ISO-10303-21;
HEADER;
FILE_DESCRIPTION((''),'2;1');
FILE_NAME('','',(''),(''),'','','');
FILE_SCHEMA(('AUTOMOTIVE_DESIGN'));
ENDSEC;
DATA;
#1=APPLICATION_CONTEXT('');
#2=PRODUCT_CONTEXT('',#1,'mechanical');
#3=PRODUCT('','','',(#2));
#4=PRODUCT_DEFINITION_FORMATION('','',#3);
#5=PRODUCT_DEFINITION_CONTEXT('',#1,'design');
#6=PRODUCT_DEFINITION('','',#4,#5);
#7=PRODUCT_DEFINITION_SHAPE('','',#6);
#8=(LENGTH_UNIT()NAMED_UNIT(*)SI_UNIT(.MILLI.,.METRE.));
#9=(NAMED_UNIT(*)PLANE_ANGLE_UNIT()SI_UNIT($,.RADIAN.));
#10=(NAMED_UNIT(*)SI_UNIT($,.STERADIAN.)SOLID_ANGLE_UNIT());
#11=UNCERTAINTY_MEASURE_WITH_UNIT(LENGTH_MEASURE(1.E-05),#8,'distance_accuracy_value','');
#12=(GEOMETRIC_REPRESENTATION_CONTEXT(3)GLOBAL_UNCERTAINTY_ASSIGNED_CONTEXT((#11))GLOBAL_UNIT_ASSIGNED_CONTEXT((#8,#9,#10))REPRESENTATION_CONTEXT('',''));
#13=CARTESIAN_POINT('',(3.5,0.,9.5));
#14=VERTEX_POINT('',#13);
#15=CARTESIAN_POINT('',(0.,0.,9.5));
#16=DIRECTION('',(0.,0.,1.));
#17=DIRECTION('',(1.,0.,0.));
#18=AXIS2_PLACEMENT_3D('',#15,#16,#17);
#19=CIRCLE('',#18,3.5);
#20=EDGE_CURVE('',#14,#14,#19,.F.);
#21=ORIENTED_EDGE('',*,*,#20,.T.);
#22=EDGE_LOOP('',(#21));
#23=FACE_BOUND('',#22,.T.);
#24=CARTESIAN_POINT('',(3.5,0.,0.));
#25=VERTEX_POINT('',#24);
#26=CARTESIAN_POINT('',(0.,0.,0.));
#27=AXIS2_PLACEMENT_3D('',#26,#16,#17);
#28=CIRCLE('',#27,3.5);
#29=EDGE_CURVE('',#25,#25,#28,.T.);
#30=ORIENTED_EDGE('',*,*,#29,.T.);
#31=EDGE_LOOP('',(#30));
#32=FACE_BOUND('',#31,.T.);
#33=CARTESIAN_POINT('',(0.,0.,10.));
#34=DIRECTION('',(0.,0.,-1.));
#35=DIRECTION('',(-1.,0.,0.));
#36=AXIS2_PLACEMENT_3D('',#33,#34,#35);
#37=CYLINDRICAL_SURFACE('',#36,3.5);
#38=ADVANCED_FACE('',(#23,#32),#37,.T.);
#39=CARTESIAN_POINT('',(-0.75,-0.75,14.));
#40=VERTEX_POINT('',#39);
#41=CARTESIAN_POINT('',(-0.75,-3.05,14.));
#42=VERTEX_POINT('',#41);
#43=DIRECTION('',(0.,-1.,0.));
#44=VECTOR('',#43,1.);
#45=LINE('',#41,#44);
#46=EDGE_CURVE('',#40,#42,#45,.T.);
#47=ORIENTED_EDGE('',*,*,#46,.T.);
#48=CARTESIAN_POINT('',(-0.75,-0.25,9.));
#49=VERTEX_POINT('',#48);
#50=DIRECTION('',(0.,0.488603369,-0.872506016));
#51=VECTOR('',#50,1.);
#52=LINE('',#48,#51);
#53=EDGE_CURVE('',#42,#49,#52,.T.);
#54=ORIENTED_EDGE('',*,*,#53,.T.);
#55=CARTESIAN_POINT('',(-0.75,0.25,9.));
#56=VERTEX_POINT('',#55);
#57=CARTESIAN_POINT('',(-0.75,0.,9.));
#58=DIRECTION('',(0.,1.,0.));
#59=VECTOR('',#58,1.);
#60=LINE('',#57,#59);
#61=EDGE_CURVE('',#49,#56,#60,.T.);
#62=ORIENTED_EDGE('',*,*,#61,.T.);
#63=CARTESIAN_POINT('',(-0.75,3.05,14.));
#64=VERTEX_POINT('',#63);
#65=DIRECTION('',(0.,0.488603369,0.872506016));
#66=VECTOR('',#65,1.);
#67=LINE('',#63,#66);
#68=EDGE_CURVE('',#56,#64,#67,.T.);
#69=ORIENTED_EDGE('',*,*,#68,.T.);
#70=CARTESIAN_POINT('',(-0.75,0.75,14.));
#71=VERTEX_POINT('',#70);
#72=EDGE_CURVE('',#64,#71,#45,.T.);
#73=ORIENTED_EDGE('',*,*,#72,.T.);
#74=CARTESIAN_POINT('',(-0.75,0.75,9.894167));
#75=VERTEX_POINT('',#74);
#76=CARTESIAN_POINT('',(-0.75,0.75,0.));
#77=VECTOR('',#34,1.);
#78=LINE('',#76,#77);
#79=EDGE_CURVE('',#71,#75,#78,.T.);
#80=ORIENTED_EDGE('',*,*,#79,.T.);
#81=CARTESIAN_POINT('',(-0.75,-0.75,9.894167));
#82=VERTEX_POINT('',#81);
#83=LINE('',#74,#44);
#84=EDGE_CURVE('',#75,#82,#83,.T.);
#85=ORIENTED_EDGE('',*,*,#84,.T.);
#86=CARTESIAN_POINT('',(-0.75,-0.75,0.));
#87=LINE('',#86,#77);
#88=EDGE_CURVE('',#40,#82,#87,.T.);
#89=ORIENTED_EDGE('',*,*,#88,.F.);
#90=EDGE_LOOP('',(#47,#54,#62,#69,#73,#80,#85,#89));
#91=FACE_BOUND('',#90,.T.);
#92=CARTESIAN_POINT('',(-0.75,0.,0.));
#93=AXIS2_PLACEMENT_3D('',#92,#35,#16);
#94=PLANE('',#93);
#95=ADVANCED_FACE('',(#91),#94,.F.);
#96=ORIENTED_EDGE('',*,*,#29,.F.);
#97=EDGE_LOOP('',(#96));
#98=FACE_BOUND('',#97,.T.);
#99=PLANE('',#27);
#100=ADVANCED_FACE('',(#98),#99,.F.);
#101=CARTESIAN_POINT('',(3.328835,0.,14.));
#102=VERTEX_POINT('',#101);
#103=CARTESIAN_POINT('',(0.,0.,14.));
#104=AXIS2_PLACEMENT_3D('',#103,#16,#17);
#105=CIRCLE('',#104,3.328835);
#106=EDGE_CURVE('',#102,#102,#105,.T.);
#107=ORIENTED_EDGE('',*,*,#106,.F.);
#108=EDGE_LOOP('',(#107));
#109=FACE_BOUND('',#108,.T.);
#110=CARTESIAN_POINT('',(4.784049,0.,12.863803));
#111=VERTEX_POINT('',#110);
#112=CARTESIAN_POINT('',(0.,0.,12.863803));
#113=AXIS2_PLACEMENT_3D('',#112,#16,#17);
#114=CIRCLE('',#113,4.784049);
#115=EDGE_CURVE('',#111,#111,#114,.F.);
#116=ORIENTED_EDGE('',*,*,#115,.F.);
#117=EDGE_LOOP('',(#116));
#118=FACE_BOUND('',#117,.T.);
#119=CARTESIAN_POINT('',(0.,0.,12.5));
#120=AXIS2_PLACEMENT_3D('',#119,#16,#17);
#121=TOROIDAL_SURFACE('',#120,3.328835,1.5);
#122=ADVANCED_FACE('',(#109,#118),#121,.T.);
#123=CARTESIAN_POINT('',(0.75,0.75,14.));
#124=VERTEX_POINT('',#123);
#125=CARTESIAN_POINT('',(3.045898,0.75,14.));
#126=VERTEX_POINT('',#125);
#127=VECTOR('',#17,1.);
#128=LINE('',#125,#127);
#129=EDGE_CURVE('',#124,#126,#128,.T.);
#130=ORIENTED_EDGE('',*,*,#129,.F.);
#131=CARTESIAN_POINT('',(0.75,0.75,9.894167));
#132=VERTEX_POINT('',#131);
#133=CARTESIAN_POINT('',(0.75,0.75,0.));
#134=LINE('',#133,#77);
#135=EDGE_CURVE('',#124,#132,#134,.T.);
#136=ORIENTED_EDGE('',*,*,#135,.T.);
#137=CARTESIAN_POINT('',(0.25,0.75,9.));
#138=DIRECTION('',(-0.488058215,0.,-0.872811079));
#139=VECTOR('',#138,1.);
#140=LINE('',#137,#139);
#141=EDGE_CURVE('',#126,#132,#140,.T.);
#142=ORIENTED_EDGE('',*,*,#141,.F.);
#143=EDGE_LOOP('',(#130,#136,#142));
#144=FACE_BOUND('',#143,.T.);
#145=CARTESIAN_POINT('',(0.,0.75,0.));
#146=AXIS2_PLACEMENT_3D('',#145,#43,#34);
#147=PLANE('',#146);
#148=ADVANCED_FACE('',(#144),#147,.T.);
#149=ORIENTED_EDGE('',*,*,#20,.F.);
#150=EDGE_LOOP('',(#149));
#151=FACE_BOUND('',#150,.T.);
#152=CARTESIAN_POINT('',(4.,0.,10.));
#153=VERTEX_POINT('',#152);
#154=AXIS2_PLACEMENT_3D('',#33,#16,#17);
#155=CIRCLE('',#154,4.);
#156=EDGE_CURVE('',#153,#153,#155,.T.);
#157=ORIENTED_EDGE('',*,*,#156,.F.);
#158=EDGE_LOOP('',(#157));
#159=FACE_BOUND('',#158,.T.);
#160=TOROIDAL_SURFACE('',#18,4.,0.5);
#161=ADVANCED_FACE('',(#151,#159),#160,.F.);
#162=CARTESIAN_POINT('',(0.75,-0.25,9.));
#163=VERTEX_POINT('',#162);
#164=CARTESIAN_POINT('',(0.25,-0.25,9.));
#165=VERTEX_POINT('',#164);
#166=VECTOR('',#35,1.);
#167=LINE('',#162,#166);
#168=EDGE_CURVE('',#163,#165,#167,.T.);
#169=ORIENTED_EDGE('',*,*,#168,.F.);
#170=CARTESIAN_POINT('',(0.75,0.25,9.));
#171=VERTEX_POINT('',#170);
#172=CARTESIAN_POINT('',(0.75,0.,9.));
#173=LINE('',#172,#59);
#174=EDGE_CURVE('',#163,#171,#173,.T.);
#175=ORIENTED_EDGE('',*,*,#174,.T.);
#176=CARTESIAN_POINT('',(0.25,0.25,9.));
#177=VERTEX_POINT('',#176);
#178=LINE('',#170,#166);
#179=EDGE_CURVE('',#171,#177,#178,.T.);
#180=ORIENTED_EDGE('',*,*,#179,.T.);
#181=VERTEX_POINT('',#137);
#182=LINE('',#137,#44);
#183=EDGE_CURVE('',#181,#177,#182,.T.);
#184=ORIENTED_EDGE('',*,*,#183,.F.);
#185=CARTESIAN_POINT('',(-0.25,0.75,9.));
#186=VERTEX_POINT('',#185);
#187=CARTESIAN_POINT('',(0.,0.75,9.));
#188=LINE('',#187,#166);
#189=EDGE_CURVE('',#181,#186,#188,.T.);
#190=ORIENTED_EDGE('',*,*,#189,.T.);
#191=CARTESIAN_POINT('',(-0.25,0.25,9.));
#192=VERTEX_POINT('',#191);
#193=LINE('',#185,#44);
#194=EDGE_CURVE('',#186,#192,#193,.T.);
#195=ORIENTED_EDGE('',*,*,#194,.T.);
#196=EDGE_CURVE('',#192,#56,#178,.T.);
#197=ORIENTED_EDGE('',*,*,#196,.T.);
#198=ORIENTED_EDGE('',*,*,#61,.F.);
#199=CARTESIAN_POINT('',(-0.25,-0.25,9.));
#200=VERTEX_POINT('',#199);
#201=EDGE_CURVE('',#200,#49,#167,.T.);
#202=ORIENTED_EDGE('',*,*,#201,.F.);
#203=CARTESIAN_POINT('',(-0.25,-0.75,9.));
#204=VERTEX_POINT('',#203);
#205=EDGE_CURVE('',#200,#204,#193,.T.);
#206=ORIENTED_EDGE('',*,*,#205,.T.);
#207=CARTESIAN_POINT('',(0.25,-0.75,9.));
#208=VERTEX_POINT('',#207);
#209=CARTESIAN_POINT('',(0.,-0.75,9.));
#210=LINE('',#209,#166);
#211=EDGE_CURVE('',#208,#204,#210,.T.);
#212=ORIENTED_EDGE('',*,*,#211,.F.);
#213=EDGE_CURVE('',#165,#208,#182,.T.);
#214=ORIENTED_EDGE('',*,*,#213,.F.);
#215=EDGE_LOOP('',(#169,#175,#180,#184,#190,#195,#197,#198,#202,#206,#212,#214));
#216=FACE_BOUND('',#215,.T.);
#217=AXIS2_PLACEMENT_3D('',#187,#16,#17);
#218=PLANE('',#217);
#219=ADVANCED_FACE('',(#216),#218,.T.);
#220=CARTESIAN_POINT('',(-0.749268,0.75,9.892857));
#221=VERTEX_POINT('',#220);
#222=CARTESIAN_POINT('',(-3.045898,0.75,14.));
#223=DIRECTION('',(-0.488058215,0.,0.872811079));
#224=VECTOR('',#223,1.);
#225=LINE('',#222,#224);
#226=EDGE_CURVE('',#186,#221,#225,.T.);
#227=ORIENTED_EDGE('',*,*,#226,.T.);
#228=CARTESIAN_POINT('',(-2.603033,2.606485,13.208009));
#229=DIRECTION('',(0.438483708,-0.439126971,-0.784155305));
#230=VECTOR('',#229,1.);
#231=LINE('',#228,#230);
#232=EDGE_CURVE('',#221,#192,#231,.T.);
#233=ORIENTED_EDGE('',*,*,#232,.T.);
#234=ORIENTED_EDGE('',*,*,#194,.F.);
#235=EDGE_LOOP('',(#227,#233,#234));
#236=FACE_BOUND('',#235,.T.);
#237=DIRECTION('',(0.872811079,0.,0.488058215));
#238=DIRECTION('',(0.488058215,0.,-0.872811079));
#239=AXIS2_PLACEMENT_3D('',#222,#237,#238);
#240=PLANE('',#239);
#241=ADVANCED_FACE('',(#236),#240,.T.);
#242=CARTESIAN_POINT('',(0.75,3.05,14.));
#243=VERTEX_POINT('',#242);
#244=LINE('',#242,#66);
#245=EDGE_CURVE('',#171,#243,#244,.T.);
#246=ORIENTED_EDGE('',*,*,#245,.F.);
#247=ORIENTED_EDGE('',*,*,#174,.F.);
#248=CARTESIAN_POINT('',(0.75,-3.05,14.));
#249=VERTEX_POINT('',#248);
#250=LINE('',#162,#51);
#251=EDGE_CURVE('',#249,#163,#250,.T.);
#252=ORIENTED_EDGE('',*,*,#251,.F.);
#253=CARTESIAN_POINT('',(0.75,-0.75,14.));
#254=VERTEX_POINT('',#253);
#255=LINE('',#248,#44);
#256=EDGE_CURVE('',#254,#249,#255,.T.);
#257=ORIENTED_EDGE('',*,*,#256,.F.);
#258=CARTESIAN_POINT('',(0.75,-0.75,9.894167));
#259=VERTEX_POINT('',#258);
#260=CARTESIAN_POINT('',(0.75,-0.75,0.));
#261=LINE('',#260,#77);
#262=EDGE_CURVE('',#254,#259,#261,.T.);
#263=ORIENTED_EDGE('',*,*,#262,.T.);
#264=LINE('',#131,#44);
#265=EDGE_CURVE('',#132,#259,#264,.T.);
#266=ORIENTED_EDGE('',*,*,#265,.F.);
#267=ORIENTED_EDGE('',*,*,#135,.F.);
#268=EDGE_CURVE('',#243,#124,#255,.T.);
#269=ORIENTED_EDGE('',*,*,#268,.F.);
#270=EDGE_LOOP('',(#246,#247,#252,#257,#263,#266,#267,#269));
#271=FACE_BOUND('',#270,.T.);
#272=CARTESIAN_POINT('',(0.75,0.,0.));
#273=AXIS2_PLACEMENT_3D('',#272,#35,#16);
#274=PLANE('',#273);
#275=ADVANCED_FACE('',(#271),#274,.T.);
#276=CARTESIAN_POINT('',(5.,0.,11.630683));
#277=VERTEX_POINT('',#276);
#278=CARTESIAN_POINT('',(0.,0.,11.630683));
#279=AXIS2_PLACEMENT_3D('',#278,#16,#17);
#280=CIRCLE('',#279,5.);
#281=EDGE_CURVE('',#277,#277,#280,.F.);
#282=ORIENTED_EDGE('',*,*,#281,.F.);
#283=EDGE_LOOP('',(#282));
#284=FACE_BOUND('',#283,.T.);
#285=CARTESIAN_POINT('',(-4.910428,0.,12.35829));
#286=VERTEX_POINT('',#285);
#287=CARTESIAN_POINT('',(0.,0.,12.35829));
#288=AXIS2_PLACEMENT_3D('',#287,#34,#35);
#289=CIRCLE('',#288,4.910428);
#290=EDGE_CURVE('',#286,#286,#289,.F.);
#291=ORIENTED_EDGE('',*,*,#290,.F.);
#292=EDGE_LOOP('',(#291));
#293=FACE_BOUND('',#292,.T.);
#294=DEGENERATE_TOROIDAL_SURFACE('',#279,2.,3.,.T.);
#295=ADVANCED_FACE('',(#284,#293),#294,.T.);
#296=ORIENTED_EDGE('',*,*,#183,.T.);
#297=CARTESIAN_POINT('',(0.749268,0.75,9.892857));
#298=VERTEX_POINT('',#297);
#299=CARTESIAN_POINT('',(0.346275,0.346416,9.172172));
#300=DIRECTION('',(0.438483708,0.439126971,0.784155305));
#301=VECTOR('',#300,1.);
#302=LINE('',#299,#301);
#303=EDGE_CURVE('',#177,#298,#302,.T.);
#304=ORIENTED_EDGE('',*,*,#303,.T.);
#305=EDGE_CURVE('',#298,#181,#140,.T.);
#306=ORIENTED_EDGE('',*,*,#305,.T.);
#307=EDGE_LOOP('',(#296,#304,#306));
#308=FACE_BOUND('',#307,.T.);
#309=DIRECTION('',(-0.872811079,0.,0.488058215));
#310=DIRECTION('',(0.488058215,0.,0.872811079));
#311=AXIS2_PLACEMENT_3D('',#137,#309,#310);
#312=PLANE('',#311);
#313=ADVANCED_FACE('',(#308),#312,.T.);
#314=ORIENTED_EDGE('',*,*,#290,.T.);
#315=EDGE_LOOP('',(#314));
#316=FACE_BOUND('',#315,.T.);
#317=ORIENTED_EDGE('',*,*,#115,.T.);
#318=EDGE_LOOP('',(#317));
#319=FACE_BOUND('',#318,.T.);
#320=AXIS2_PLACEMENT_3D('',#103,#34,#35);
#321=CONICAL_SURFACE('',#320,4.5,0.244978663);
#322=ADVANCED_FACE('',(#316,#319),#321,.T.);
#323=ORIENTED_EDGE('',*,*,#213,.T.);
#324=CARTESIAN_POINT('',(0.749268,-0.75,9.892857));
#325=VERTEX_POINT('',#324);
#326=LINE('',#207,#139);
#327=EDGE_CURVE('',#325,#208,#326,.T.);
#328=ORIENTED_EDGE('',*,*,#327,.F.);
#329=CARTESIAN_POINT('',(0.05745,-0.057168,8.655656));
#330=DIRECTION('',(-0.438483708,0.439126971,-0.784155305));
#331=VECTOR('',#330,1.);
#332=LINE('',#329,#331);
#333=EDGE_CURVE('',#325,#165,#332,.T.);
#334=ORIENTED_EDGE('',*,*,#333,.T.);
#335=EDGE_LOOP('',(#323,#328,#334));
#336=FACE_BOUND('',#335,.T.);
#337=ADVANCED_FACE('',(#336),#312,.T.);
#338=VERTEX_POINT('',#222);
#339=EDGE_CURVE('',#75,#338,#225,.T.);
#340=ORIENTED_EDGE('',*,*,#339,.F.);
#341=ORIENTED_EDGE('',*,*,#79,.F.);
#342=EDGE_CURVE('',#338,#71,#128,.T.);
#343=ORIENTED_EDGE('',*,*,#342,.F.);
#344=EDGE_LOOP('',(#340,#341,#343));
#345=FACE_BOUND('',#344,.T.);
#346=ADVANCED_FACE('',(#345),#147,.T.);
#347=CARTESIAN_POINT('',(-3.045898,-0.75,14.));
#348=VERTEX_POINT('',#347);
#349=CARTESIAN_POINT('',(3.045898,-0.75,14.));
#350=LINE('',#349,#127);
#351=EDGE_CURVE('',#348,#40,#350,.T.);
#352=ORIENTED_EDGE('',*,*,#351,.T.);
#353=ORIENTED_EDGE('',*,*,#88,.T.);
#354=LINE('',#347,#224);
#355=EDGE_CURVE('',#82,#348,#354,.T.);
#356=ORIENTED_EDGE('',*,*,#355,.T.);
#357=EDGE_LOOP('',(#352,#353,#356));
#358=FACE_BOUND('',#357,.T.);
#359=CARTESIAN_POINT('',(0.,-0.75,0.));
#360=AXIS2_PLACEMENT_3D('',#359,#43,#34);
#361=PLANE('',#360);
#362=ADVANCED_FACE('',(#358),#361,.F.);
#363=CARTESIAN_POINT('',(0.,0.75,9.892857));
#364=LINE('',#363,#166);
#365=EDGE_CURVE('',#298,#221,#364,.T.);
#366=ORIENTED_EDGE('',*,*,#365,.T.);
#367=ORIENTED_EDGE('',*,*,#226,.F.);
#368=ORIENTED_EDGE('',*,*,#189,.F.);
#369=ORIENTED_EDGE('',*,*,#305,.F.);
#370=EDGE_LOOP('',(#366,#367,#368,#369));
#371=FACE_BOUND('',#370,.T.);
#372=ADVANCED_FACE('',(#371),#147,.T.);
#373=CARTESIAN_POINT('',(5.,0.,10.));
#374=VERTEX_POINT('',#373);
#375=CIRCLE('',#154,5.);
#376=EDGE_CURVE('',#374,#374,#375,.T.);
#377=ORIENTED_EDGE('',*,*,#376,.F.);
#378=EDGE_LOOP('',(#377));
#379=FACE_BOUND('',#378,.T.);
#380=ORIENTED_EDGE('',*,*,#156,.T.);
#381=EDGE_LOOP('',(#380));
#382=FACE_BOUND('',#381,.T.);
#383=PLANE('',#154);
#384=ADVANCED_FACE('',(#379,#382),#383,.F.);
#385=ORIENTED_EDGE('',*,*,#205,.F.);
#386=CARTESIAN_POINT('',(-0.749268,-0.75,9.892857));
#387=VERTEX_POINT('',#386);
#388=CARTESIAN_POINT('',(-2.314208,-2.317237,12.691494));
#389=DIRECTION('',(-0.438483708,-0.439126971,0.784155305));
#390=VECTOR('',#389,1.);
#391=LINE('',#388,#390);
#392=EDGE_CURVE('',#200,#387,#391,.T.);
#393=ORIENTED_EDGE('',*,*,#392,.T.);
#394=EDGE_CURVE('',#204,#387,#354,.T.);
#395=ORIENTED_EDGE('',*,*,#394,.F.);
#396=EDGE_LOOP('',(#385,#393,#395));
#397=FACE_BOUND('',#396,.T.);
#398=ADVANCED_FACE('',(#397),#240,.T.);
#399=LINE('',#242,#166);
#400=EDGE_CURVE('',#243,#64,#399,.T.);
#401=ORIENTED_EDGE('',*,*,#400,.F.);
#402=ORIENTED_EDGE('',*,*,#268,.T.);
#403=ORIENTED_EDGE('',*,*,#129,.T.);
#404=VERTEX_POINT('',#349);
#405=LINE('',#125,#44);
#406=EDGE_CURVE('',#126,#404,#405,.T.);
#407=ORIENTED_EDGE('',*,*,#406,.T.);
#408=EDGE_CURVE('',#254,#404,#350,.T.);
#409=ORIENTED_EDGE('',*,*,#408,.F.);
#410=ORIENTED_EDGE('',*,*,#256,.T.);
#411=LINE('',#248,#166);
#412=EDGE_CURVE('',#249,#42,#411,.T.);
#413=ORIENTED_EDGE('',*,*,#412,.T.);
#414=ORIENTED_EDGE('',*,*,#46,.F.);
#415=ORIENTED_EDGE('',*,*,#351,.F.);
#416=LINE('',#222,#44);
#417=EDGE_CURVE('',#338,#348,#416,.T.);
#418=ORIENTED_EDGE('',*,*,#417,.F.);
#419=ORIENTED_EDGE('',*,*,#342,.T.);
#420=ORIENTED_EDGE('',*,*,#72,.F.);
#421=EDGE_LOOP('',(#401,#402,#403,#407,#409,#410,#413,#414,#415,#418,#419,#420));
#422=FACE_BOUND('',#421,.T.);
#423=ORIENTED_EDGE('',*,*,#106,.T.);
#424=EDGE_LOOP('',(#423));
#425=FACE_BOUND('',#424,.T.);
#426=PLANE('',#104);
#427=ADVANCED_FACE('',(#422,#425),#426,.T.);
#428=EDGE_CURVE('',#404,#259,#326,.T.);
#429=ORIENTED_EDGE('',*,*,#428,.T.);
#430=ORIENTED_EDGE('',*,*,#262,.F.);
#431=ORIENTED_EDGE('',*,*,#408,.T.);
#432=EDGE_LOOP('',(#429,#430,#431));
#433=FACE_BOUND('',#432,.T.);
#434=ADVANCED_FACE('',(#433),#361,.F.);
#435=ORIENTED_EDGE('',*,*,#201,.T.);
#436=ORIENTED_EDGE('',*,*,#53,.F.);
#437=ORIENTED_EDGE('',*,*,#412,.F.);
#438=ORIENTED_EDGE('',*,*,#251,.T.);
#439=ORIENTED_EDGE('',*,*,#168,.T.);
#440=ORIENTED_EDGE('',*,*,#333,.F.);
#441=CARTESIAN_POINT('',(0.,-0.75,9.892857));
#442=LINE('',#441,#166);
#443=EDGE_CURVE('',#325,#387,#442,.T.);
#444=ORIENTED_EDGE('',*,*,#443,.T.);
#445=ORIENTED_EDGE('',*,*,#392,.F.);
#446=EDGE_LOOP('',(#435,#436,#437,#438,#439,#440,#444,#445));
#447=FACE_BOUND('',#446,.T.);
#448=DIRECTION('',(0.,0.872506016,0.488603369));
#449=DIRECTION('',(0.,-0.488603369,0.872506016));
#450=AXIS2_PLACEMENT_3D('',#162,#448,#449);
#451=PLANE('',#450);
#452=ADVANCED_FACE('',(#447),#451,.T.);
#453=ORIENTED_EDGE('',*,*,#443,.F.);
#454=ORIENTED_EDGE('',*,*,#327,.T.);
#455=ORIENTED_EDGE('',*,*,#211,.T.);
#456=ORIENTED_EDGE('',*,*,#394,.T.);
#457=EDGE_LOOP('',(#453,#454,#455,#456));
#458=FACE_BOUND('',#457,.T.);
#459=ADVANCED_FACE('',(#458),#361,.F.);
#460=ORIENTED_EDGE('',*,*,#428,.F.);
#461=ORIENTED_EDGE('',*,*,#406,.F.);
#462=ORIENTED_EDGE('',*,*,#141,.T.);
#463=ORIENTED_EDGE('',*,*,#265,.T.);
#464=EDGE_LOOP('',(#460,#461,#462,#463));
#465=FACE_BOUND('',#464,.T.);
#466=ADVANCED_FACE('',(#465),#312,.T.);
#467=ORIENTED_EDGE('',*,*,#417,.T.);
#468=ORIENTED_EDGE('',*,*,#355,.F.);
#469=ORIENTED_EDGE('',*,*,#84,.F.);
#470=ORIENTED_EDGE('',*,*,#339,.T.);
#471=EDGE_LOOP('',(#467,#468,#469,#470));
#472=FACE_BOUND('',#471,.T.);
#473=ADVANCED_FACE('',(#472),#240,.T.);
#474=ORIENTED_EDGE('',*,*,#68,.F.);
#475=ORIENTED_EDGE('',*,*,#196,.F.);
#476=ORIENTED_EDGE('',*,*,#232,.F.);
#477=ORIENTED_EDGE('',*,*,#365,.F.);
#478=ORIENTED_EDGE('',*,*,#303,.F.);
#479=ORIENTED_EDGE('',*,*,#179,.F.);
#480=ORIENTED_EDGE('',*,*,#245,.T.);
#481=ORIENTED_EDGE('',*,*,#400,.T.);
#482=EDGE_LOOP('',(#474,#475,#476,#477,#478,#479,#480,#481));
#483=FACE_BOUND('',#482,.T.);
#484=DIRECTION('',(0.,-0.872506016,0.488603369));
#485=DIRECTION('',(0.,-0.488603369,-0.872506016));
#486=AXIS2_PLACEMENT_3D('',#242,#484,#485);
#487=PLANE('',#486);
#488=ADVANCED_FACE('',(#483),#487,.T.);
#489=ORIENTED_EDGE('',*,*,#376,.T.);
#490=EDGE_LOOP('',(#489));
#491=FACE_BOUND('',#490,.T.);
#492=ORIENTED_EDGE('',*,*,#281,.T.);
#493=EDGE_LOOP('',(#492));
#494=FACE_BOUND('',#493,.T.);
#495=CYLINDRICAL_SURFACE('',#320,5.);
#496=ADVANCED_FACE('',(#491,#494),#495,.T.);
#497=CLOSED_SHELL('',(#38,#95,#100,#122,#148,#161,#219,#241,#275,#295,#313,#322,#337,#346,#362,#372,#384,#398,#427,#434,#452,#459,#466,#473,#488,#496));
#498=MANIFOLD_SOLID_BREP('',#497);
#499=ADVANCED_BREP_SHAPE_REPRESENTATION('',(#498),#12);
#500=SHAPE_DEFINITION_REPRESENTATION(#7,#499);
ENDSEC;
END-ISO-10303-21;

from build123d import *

# Parameters (mm, degrees)
SZKIC1_R                        = 3.5
DODANIE_WYCI_GNI_CIE1_DEPTH     = 10
SZKIC3_R                        = 5
DODANIE_WYCI_GNI_CIE2_DEPTH     = 4
SFAZOWANIE2_SIZE                = 2
SFAZOWANIE2_SIZE2               = 0.5
ZAOKR_GLENIE1_R                 = 1.5
ZAOKR_GLENIE2_R                 = 3
ZAOKR_GLENIE3_R                 = 0.5
WYTNIJ_WYCI_GNI_CIE1_DEPTH      = 0.75
WYTNIJ_WYCI_GNI_CIE1_DEPTH_BACK = 0.75
WYTNIJ_WYCI_GNI_CIE2_DEPTH      = 0.75
WYTNIJ_WYCI_GNI_CIE2_DEPTH_BACK = 0.75


with BuildPart() as part:
    # Szkic1 → Dodanie-wyciągnięcie1 (new body)
    with BuildSketch(Plane.XY):
        Circle(SZKIC1_R)
    extrude(amount=DODANIE_WYCI_GNI_CIE1_DEPTH)

    # Szkic3 → Dodanie-wyciągnięcie2 (add)
    with BuildSketch(Plane.XY.offset(10)):
        Circle(SZKIC3_R)
    extrude(amount=DODANIE_WYCI_GNI_CIE2_DEPTH)

    # Sfazowanie2
    sfazowanie2_edges = [part.edges().sort_by_distance(p)[0] for p in [
        (-5, 0, 14),
    ]]
    sfazowanie2_side = [part.faces().sort_by_distance(p)[0] for p in [
        (-5, 0, 12),
    ]]
    chamfer(sfazowanie2_edges, length=SFAZOWANIE2_SIZE, length2=SFAZOWANIE2_SIZE2, reference=sfazowanie2_side[0])

    # Zaokrąglenie1
    zaokr_glenie1_edges = [part.edges().sort_by_distance(p)[0] for p in [
        (-4.5, 0, 14),
    ]]
    fillet(zaokr_glenie1_edges, radius=ZAOKR_GLENIE1_R)

    # Zaokrąglenie2
    zaokr_glenie2_edges = [part.edges().sort_by_distance(p)[0] for p in [
        (-5, 0, 12),
    ]]
    fillet(zaokr_glenie2_edges, radius=ZAOKR_GLENIE2_R)

    # Zaokrąglenie3
    zaokr_glenie3_edges = [part.edges().sort_by_distance(p)[0] for p in [
        (-3.5, 0, 10),
    ]]
    fillet(zaokr_glenie3_edges, radius=ZAOKR_GLENIE3_R)

    # Szkic4 → Wytnij-wyciągnięcie1 (cut, two sides: drawn at the far end of the back side and taken through both)
    with BuildSketch(Plane(origin=(0, 0, 0), x_dir=(1, 0, 0), z_dir=(0, 1, 0)).offset(-WYTNIJ_WYCI_GNI_CIE1_DEPTH_BACK)):
        Polygon((3.045898371, -14), (-3.045898371, -14), (-0.25, -9), (0, -9), (0.25, -9), align=None)
    extrude(amount=WYTNIJ_WYCI_GNI_CIE1_DEPTH + WYTNIJ_WYCI_GNI_CIE1_DEPTH_BACK, mode=Mode.SUBTRACT)

    # Szkic5 → Wytnij-wyciągnięcie2 (cut, two sides: drawn at the far end of the back side and taken through both)
    with BuildSketch(Plane(origin=(0, 0, 0), x_dir=(0, 0, -1), z_dir=(1, 0, 0)).offset(-WYTNIJ_WYCI_GNI_CIE2_DEPTH_BACK)):
        Polygon((-9, 0), (-9, 0.25), (-14, 3.05), (-14, -3.05), (-9, -0.25), align=None)
    extrude(amount=WYTNIJ_WYCI_GNI_CIE2_DEPTH + WYTNIJ_WYCI_GNI_CIE2_DEPTH_BACK, mode=Mode.SUBTRACT)


solid = part.part
